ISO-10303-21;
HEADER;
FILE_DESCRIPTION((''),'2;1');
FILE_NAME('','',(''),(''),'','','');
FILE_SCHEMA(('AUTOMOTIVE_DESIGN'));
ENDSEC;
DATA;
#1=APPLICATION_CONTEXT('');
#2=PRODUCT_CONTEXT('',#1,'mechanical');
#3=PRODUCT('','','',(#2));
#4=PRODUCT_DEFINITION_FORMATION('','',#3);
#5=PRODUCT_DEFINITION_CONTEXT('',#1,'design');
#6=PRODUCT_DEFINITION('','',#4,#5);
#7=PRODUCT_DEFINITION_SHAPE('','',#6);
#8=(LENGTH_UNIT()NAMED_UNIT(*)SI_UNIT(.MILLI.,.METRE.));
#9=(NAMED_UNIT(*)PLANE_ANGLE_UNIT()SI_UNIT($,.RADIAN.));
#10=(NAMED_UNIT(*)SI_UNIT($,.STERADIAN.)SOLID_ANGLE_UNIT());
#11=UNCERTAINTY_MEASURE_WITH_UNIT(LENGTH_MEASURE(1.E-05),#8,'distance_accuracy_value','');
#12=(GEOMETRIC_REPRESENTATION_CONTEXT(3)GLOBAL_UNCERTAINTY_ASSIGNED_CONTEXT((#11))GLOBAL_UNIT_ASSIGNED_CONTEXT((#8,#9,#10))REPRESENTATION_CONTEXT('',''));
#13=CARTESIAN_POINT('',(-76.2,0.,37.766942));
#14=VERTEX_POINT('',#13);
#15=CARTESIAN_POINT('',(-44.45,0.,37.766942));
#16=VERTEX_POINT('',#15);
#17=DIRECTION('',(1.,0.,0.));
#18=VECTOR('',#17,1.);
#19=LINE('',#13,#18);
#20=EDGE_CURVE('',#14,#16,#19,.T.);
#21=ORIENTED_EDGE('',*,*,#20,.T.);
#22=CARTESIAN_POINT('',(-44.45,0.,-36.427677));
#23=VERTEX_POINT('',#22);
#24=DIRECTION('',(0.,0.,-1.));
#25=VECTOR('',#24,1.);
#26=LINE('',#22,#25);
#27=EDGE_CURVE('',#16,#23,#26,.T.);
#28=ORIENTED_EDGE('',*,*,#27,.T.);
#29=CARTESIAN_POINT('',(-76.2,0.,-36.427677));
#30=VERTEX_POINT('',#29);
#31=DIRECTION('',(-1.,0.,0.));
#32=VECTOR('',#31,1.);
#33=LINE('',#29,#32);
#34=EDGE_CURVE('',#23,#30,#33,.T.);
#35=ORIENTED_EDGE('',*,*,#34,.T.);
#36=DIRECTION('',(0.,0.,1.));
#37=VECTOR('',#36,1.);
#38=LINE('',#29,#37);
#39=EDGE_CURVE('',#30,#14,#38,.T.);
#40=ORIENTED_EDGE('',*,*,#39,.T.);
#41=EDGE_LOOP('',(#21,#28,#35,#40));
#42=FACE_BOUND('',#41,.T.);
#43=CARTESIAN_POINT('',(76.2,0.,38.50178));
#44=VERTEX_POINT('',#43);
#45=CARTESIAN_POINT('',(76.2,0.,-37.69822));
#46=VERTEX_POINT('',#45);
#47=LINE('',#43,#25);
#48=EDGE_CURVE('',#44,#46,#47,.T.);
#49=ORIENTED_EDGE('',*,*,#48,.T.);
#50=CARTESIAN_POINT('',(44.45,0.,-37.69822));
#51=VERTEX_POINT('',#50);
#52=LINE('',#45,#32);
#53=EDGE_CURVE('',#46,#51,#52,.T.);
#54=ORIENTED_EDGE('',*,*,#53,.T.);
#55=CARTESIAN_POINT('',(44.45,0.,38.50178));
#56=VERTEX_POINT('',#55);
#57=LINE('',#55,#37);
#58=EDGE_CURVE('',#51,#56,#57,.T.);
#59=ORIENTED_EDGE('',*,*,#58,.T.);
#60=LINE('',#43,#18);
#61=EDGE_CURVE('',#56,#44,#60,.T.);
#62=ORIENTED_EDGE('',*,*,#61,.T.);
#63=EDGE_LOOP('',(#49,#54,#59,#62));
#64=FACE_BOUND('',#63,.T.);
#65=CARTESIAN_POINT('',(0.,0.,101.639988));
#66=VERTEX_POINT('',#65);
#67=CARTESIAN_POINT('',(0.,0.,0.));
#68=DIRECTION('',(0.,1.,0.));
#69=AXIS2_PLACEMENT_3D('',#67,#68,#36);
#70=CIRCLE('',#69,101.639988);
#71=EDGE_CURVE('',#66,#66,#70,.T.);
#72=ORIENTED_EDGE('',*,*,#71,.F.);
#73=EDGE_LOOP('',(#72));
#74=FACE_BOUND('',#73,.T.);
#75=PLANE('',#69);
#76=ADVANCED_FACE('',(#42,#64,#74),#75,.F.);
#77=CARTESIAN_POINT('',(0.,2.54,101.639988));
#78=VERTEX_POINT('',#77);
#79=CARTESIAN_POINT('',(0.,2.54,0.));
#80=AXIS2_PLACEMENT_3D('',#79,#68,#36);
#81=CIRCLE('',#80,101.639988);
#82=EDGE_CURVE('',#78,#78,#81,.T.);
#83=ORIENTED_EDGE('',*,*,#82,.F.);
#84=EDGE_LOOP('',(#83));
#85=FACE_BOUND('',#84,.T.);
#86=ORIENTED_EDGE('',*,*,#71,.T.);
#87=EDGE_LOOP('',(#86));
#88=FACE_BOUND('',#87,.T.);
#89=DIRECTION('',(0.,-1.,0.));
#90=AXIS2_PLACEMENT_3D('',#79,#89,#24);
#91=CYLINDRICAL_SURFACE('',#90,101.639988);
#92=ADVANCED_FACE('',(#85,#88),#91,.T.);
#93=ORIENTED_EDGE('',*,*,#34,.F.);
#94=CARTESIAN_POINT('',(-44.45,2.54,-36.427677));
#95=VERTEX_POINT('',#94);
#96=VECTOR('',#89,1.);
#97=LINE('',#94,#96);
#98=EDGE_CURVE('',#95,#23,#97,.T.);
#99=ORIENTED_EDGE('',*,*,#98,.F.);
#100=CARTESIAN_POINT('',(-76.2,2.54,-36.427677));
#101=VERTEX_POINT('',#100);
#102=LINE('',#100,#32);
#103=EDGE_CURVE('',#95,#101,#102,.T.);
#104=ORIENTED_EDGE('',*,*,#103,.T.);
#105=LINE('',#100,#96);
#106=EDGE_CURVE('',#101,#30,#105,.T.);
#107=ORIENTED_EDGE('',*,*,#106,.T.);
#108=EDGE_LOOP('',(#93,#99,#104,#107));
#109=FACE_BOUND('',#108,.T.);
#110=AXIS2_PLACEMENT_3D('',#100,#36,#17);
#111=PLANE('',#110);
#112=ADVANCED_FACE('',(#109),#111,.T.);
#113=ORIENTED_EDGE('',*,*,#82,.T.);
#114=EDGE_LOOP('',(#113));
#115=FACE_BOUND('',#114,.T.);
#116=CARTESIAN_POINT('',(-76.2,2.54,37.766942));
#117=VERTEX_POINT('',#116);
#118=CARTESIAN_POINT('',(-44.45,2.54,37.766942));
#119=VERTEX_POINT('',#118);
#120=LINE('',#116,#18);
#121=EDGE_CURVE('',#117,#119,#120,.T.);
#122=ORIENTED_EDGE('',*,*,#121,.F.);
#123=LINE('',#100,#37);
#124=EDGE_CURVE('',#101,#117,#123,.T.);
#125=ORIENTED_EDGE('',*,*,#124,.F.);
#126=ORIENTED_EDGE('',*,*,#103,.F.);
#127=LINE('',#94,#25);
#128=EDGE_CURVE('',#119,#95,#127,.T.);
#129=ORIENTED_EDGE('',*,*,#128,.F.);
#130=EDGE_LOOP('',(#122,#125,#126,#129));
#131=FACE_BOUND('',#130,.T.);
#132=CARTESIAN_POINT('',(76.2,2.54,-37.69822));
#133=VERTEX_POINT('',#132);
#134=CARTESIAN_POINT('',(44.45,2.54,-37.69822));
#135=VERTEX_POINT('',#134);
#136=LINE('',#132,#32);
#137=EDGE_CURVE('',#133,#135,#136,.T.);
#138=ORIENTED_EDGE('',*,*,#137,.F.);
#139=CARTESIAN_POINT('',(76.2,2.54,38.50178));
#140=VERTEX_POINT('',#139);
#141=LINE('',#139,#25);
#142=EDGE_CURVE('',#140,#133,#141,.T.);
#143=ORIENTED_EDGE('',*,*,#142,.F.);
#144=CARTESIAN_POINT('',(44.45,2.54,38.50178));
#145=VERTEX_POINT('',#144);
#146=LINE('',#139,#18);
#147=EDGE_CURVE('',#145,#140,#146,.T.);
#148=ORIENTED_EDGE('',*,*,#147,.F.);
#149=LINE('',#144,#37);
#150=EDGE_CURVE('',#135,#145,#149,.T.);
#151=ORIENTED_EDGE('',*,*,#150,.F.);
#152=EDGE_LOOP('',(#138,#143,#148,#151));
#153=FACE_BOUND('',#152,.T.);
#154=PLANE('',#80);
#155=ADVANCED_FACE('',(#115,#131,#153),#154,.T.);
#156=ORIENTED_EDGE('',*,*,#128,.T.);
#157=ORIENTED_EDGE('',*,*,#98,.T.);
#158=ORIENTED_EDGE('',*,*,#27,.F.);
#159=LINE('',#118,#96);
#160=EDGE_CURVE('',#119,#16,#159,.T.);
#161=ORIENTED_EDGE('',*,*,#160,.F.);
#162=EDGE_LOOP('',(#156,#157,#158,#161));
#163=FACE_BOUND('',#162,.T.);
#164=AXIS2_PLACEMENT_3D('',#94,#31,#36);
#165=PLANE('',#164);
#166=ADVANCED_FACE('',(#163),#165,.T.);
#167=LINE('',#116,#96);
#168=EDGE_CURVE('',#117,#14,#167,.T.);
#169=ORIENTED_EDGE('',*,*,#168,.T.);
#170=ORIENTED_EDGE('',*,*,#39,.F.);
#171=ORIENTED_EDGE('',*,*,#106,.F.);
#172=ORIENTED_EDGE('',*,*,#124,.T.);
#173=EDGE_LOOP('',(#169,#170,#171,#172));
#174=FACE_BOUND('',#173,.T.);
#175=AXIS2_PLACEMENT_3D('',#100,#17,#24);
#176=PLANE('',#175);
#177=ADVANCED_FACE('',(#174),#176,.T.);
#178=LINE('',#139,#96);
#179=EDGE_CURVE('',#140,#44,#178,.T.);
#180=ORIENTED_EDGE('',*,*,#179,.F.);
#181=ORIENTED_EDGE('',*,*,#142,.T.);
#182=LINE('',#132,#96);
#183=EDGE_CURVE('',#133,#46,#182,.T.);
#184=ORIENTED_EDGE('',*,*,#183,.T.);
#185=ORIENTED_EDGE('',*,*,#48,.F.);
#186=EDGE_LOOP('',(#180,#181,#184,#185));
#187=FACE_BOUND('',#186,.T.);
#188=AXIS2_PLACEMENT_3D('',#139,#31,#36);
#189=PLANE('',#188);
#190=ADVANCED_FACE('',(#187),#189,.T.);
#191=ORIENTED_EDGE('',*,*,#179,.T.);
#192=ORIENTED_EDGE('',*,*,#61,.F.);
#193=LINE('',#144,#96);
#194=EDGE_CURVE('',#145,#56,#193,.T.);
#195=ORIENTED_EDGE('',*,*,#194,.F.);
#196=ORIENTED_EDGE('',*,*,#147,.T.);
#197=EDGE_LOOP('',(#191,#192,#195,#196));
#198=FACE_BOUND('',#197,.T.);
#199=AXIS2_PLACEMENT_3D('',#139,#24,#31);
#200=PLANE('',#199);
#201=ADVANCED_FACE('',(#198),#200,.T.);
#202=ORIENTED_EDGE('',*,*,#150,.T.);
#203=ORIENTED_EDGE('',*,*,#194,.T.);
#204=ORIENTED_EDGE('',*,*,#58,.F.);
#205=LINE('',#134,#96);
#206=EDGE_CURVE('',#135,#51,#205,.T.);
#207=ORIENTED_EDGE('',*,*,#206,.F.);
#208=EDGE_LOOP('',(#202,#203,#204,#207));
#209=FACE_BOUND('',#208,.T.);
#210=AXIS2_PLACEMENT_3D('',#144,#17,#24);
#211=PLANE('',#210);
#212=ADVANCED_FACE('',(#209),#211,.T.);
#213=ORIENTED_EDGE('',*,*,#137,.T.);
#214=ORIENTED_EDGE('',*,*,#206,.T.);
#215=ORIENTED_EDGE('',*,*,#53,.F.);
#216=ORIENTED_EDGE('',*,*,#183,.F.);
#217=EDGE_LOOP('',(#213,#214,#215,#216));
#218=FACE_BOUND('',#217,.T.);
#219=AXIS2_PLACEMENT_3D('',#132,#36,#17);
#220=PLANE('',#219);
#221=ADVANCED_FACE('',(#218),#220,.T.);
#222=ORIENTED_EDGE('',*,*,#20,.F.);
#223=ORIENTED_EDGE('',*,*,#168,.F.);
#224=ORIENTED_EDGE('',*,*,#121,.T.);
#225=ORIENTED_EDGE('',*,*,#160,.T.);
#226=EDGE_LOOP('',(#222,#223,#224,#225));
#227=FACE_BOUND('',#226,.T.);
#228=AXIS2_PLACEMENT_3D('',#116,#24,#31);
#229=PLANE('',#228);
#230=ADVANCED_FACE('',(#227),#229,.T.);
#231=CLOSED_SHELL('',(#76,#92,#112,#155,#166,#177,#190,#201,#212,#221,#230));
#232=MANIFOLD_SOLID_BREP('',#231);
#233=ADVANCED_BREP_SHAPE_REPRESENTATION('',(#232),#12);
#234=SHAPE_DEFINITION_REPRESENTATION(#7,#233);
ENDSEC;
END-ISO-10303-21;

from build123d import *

# Parameters (mm, degrees)
SKETCH1_R           = 101.639987753
SKETCH1_W           = 31.75
SKETCH1_H           = 74.194618262
SKETCH1_H_2         = 76.2
BOSS_EXTRUDE1_DEPTH = 2.54


with BuildPart() as part:
    # Sketch1 → Boss-Extrude1 (new body)
    with BuildSketch(Plane(origin=(0, 0, 0), x_dir=(1, 0, 0), z_dir=(0, 1, 0))):
        Circle(SKETCH1_R)
        with Locations((-60.325, -0.669632559)):
            Rectangle(SKETCH1_W, SKETCH1_H, mode=Mode.SUBTRACT)
        with Locations((60.325, -0.401779535)):
            Rectangle(SKETCH1_W, SKETCH1_H_2, mode=Mode.SUBTRACT)
    extrude(amount=BOSS_EXTRUDE1_DEPTH)


solid = part.part
